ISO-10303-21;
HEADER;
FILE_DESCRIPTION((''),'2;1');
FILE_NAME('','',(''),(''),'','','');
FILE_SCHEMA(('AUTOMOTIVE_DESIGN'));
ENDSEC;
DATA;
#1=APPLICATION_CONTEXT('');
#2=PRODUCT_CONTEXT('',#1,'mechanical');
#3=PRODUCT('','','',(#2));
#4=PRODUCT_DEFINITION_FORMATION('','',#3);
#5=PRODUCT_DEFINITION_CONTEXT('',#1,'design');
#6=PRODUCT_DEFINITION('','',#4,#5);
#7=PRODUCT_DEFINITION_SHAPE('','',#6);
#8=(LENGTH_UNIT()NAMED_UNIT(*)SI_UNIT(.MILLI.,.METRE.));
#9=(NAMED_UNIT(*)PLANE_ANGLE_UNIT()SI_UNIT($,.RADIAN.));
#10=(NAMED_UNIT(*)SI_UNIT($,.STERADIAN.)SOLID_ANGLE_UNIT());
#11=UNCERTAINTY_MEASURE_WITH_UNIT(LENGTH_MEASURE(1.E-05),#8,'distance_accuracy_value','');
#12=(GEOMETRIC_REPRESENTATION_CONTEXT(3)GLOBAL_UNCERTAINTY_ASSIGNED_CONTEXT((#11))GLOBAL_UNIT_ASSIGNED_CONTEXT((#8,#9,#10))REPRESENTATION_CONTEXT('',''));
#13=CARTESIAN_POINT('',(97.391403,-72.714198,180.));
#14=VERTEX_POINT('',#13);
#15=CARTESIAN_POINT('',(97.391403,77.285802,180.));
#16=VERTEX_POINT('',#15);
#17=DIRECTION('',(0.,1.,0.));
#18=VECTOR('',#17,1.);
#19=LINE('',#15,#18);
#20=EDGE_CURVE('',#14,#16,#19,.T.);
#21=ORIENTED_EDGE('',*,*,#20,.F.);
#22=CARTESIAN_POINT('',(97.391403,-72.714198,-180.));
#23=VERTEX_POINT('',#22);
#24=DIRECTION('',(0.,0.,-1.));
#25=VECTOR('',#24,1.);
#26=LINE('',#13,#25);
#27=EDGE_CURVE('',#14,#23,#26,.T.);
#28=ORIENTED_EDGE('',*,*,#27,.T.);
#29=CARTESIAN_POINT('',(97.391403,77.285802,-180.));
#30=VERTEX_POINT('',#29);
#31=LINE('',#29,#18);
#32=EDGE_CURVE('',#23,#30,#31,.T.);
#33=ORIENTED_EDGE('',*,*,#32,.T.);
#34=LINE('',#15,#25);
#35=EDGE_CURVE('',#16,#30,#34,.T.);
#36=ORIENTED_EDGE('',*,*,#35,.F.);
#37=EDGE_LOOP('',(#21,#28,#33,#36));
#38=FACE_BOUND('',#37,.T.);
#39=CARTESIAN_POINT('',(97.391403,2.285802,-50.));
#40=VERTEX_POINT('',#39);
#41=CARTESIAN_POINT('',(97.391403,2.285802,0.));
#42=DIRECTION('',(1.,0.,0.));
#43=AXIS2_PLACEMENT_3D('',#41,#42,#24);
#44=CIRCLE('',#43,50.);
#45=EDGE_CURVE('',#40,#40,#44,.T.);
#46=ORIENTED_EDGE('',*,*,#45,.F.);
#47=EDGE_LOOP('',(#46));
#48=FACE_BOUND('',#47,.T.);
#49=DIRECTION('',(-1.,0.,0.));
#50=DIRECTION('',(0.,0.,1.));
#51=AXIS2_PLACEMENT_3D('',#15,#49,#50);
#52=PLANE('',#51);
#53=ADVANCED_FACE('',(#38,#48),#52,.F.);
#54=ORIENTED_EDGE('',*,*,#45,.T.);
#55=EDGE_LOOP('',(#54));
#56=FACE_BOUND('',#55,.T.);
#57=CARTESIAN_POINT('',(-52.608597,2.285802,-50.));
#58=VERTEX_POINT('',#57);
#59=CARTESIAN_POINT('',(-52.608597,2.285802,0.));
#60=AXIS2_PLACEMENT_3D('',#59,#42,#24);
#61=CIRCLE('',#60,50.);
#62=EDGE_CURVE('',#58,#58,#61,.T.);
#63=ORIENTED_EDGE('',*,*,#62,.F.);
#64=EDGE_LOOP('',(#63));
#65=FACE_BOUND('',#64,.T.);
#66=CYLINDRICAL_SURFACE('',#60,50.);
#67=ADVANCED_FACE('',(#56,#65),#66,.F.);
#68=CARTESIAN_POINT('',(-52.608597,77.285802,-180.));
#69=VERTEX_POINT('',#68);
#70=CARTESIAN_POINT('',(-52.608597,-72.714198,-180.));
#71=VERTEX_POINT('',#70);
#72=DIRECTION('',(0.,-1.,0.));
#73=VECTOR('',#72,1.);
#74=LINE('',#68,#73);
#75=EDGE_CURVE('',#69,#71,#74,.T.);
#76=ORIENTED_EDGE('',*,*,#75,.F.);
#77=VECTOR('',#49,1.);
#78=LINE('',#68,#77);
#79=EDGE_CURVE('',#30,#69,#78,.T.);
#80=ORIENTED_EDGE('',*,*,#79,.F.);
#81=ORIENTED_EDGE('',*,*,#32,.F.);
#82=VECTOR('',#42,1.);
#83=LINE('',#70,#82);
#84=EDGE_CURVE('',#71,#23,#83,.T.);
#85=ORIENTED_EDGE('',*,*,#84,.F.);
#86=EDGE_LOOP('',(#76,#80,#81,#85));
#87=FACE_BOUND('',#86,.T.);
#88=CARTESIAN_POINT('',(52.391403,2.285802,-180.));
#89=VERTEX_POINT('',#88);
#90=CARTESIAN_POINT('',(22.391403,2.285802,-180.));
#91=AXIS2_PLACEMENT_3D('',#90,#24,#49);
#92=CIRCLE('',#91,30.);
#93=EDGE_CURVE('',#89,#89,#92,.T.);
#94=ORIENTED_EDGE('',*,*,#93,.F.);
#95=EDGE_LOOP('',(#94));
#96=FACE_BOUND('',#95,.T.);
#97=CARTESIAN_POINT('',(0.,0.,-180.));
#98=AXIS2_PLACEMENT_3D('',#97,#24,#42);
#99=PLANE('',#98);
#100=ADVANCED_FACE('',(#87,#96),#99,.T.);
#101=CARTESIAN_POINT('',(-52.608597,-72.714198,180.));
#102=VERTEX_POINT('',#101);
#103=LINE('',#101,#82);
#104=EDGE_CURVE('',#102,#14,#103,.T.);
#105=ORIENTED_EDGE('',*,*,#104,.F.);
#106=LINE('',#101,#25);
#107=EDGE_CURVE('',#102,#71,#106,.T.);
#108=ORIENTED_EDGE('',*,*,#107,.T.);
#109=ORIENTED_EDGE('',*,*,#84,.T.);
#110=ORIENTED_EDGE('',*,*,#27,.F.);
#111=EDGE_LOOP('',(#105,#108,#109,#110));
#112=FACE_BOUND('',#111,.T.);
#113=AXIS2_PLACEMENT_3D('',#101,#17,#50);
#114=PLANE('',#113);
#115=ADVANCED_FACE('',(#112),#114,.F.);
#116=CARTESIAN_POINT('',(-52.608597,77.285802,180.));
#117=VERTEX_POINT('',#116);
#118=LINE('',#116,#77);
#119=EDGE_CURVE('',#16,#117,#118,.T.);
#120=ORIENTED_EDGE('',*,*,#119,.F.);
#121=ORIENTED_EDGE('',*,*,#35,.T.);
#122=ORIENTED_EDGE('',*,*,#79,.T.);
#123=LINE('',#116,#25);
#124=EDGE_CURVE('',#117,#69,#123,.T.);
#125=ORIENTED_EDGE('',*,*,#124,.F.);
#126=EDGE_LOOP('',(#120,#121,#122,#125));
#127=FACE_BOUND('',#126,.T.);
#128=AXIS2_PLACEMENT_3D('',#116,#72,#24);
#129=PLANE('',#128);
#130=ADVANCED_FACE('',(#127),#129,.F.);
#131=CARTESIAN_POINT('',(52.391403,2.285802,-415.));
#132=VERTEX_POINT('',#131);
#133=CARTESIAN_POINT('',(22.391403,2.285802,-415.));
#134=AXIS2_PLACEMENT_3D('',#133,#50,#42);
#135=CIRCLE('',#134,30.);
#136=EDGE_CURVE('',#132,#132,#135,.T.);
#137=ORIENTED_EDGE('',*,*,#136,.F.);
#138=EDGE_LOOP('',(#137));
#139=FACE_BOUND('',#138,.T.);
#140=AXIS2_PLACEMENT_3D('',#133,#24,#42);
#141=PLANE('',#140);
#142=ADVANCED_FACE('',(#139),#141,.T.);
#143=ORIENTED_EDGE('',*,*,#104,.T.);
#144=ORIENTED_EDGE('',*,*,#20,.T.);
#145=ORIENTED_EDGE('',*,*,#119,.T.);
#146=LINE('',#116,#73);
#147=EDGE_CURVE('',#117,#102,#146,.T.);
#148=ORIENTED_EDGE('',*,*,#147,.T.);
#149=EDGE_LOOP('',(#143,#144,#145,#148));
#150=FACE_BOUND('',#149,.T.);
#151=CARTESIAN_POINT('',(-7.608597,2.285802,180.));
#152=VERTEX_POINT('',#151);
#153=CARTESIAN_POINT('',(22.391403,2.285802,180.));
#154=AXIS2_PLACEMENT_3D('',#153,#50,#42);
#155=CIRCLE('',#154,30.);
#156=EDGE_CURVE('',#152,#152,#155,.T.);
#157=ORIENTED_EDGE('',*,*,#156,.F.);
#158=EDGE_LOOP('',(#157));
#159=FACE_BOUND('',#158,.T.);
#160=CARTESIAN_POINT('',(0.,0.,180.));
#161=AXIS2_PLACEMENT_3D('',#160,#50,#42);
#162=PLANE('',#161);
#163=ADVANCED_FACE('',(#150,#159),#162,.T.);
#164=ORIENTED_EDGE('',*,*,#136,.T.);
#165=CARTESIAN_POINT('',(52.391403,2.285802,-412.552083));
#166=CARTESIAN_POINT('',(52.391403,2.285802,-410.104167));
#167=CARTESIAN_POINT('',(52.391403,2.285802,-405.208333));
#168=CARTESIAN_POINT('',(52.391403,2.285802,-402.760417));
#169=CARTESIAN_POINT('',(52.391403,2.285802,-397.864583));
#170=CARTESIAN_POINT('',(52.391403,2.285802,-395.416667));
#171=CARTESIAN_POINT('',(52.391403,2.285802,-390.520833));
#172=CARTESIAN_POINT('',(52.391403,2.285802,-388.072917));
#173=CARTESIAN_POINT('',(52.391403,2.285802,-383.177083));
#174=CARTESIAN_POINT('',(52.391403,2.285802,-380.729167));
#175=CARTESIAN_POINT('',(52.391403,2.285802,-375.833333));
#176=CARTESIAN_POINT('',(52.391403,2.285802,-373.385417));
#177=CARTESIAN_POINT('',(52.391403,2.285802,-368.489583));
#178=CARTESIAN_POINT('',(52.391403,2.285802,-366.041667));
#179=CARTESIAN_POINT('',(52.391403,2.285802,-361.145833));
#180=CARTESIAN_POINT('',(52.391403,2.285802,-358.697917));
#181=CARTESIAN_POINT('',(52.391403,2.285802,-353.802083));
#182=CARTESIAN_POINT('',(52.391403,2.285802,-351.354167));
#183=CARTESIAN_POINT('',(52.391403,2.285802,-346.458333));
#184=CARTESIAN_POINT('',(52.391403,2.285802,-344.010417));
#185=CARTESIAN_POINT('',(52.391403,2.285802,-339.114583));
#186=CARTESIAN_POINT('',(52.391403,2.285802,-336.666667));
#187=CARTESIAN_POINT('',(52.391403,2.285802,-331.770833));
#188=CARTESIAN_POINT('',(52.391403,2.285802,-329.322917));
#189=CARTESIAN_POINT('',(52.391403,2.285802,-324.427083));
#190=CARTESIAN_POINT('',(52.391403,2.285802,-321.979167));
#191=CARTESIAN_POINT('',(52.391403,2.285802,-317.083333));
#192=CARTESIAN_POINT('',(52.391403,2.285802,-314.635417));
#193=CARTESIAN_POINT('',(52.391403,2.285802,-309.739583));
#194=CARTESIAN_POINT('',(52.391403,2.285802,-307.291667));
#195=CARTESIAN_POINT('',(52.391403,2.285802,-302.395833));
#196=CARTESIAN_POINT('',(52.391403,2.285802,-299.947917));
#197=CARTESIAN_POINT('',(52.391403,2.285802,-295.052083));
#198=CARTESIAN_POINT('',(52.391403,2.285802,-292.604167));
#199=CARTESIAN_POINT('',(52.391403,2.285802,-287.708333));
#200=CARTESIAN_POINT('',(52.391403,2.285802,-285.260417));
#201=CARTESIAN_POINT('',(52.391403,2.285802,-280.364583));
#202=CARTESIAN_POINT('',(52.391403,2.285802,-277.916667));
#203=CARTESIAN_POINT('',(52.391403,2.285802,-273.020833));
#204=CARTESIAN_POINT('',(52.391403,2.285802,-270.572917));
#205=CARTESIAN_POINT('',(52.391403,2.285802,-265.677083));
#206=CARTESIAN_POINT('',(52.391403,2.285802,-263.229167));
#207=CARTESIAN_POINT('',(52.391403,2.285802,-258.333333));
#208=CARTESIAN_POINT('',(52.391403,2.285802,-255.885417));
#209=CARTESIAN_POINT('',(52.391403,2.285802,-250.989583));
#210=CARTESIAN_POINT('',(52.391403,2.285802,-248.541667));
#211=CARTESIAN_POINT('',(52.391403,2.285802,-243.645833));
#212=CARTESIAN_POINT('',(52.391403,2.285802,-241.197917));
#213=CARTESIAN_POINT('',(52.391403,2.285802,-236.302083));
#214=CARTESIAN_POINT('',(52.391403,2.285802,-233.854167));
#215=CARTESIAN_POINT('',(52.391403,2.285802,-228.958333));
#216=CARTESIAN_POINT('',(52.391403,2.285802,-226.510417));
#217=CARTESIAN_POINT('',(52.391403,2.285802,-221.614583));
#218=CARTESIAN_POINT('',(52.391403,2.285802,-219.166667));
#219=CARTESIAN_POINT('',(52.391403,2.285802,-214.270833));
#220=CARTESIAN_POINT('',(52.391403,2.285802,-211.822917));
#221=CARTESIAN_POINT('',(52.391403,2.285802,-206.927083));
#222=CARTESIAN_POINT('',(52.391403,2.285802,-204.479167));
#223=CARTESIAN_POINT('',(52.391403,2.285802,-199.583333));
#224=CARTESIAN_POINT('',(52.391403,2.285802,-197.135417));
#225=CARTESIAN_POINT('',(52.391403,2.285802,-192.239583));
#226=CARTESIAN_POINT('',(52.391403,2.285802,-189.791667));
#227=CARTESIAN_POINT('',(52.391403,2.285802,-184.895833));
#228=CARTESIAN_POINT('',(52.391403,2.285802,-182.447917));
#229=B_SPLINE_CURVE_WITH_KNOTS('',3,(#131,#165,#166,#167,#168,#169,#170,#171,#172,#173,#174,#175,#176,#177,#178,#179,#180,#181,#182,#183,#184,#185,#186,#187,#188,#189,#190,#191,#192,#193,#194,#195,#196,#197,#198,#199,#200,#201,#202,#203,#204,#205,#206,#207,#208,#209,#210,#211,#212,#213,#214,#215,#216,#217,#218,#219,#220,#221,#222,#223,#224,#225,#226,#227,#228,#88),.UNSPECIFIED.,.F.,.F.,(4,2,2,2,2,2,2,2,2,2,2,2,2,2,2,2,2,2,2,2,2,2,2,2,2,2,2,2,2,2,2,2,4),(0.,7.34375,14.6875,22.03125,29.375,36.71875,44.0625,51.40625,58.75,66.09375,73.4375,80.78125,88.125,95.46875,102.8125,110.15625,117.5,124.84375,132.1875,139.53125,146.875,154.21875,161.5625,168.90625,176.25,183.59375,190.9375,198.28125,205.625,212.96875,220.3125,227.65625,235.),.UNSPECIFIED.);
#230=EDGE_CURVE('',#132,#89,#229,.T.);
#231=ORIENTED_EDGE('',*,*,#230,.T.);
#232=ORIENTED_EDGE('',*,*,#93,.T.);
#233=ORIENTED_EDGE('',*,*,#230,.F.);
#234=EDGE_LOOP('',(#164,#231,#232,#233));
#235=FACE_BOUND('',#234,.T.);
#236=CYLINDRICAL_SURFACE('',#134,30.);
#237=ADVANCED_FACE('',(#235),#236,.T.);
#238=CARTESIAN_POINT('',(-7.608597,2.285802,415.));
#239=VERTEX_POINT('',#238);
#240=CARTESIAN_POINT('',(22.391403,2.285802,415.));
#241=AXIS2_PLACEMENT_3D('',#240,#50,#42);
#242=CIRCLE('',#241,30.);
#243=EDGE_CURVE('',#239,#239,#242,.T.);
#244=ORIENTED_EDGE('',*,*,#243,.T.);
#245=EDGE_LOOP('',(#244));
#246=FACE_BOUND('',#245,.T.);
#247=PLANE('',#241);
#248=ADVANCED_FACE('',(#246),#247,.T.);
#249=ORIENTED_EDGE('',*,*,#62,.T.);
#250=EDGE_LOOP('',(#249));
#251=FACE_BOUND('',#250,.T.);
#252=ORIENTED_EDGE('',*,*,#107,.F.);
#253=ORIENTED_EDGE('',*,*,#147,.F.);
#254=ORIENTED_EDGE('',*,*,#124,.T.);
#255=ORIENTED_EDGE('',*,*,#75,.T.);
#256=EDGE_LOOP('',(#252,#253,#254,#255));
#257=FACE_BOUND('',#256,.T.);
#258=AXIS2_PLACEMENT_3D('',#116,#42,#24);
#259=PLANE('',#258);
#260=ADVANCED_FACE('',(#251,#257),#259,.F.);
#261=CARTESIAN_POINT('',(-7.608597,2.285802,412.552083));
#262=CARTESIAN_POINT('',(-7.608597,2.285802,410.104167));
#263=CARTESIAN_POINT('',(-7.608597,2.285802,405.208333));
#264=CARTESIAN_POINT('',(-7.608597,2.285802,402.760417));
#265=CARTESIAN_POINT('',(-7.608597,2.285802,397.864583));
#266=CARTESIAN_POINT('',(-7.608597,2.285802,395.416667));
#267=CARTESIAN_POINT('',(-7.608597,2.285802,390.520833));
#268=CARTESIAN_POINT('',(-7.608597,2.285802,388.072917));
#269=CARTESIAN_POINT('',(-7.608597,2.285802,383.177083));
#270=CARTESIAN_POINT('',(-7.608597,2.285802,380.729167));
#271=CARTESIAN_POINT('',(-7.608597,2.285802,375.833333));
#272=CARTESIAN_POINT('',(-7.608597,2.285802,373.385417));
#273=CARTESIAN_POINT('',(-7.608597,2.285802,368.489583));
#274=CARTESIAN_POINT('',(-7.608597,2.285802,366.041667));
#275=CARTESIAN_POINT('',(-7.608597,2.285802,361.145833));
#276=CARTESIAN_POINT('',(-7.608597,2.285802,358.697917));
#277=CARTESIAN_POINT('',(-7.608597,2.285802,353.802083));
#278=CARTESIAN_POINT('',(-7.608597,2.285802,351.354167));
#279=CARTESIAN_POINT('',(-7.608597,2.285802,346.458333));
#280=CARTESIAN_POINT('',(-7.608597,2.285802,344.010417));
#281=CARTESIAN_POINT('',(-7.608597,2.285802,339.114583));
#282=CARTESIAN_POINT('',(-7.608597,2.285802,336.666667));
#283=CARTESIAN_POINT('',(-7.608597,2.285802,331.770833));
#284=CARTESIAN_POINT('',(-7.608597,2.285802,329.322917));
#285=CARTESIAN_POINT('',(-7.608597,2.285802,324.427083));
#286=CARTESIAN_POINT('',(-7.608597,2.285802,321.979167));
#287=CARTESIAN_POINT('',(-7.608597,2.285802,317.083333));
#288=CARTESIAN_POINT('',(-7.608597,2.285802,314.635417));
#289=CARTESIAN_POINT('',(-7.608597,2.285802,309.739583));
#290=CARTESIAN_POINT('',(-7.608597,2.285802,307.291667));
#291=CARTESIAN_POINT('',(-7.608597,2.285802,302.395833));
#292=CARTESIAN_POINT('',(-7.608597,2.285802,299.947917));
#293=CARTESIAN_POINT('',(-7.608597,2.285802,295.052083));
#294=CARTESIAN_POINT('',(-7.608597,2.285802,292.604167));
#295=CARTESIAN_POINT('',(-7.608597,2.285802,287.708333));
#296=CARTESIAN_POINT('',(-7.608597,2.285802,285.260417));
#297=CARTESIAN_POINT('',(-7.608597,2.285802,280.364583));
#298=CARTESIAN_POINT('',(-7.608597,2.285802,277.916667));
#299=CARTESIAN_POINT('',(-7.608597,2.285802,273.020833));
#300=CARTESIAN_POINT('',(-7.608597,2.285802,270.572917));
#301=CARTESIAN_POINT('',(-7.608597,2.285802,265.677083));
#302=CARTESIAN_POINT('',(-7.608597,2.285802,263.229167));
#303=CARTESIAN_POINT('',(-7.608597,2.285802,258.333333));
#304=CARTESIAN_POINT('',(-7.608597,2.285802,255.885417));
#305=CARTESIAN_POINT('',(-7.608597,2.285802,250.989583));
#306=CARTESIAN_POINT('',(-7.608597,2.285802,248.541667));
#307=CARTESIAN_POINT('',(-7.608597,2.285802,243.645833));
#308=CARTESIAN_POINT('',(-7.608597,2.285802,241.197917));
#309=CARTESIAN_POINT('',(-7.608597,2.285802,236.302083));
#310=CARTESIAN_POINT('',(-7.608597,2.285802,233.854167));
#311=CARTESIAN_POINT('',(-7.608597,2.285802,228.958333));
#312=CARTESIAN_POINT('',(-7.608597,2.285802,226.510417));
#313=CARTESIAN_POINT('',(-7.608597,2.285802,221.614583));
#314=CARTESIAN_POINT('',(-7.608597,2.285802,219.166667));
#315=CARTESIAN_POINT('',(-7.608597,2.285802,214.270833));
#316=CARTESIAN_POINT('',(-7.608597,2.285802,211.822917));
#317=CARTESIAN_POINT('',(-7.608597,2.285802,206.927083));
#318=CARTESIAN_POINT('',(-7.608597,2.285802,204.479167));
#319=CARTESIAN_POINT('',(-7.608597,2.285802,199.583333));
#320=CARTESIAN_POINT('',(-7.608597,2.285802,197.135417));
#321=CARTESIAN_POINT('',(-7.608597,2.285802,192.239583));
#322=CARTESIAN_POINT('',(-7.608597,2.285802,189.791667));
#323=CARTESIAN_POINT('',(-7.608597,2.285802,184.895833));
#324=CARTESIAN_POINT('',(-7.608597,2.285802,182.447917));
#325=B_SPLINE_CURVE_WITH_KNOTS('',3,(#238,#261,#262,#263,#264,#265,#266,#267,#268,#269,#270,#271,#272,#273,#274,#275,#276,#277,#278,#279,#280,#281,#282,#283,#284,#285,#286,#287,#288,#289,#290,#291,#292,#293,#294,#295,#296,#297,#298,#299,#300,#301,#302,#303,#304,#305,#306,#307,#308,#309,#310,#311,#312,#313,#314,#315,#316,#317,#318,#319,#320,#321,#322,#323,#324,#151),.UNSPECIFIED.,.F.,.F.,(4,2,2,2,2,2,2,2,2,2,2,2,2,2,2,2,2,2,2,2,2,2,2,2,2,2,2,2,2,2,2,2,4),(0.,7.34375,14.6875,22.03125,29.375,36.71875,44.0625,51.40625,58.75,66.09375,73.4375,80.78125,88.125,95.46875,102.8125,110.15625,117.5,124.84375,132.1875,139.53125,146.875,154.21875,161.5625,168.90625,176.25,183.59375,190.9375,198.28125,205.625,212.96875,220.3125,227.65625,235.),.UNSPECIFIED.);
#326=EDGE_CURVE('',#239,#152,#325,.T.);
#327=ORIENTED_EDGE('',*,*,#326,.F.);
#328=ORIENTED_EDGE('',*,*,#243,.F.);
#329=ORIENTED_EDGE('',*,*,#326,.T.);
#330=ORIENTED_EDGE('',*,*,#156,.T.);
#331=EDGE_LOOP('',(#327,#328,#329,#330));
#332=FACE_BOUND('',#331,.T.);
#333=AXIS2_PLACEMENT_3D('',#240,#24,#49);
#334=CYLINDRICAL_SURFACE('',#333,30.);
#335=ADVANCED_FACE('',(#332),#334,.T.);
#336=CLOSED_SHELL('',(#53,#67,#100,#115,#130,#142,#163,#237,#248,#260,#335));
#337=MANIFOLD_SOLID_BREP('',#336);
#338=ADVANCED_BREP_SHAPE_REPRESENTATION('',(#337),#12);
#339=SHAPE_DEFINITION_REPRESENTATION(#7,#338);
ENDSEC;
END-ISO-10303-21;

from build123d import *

# Parameters (mm, degrees)
SKETCH2_W           = 150
SKETCH2_H           = 150
BOSS_EXTRUDE1_DEPTH = 180
SKETCH5_R           = 30
BOSS_EXTRUDE3_DEPTH = 235
SKETCH7_R           = 50
CUT_EXTRUDE1_DEPTH  = 448.993409814


with BuildPart() as part:
    # Sketch2 → Boss-Extrude1 (new body)
    with BuildSketch(Plane.XY):
        with Locations((22.391402768, 2.285802295)):
            Rectangle(SKETCH2_W, SKETCH2_H)
    boss_extrude1 = extrude(amount=BOSS_EXTRUDE1_DEPTH)

    # Sketch5 → Boss-Extrude3 (add)
    with BuildSketch(Plane.XY.offset(180)):
        with Locations(Location((22.391402768, 2.285802295, 0), (0, 0, 180))):
            Circle(SKETCH5_R)
    boss_extrude3 = extrude(amount=BOSS_EXTRUDE3_DEPTH)

    # Mirror1: Boss-Extrude1, Boss-Extrude3 across plane
    add(boss_extrude1.mirror(Plane.XY))
    add(boss_extrude3.mirror(Plane.XY))

    # Sketch7 → Cut-Extrude1 (cut, through all)
    with BuildSketch(Plane(origin=(97.391402768, 0, 0), x_dir=(0, 0, -1), z_dir=(1, 0, 0))):
        with Locations((0, 2.285802295)):
            Circle(SKETCH7_R)
    extrude(amount=-CUT_EXTRUDE1_DEPTH, mode=Mode.SUBTRACT)


solid = part.part
